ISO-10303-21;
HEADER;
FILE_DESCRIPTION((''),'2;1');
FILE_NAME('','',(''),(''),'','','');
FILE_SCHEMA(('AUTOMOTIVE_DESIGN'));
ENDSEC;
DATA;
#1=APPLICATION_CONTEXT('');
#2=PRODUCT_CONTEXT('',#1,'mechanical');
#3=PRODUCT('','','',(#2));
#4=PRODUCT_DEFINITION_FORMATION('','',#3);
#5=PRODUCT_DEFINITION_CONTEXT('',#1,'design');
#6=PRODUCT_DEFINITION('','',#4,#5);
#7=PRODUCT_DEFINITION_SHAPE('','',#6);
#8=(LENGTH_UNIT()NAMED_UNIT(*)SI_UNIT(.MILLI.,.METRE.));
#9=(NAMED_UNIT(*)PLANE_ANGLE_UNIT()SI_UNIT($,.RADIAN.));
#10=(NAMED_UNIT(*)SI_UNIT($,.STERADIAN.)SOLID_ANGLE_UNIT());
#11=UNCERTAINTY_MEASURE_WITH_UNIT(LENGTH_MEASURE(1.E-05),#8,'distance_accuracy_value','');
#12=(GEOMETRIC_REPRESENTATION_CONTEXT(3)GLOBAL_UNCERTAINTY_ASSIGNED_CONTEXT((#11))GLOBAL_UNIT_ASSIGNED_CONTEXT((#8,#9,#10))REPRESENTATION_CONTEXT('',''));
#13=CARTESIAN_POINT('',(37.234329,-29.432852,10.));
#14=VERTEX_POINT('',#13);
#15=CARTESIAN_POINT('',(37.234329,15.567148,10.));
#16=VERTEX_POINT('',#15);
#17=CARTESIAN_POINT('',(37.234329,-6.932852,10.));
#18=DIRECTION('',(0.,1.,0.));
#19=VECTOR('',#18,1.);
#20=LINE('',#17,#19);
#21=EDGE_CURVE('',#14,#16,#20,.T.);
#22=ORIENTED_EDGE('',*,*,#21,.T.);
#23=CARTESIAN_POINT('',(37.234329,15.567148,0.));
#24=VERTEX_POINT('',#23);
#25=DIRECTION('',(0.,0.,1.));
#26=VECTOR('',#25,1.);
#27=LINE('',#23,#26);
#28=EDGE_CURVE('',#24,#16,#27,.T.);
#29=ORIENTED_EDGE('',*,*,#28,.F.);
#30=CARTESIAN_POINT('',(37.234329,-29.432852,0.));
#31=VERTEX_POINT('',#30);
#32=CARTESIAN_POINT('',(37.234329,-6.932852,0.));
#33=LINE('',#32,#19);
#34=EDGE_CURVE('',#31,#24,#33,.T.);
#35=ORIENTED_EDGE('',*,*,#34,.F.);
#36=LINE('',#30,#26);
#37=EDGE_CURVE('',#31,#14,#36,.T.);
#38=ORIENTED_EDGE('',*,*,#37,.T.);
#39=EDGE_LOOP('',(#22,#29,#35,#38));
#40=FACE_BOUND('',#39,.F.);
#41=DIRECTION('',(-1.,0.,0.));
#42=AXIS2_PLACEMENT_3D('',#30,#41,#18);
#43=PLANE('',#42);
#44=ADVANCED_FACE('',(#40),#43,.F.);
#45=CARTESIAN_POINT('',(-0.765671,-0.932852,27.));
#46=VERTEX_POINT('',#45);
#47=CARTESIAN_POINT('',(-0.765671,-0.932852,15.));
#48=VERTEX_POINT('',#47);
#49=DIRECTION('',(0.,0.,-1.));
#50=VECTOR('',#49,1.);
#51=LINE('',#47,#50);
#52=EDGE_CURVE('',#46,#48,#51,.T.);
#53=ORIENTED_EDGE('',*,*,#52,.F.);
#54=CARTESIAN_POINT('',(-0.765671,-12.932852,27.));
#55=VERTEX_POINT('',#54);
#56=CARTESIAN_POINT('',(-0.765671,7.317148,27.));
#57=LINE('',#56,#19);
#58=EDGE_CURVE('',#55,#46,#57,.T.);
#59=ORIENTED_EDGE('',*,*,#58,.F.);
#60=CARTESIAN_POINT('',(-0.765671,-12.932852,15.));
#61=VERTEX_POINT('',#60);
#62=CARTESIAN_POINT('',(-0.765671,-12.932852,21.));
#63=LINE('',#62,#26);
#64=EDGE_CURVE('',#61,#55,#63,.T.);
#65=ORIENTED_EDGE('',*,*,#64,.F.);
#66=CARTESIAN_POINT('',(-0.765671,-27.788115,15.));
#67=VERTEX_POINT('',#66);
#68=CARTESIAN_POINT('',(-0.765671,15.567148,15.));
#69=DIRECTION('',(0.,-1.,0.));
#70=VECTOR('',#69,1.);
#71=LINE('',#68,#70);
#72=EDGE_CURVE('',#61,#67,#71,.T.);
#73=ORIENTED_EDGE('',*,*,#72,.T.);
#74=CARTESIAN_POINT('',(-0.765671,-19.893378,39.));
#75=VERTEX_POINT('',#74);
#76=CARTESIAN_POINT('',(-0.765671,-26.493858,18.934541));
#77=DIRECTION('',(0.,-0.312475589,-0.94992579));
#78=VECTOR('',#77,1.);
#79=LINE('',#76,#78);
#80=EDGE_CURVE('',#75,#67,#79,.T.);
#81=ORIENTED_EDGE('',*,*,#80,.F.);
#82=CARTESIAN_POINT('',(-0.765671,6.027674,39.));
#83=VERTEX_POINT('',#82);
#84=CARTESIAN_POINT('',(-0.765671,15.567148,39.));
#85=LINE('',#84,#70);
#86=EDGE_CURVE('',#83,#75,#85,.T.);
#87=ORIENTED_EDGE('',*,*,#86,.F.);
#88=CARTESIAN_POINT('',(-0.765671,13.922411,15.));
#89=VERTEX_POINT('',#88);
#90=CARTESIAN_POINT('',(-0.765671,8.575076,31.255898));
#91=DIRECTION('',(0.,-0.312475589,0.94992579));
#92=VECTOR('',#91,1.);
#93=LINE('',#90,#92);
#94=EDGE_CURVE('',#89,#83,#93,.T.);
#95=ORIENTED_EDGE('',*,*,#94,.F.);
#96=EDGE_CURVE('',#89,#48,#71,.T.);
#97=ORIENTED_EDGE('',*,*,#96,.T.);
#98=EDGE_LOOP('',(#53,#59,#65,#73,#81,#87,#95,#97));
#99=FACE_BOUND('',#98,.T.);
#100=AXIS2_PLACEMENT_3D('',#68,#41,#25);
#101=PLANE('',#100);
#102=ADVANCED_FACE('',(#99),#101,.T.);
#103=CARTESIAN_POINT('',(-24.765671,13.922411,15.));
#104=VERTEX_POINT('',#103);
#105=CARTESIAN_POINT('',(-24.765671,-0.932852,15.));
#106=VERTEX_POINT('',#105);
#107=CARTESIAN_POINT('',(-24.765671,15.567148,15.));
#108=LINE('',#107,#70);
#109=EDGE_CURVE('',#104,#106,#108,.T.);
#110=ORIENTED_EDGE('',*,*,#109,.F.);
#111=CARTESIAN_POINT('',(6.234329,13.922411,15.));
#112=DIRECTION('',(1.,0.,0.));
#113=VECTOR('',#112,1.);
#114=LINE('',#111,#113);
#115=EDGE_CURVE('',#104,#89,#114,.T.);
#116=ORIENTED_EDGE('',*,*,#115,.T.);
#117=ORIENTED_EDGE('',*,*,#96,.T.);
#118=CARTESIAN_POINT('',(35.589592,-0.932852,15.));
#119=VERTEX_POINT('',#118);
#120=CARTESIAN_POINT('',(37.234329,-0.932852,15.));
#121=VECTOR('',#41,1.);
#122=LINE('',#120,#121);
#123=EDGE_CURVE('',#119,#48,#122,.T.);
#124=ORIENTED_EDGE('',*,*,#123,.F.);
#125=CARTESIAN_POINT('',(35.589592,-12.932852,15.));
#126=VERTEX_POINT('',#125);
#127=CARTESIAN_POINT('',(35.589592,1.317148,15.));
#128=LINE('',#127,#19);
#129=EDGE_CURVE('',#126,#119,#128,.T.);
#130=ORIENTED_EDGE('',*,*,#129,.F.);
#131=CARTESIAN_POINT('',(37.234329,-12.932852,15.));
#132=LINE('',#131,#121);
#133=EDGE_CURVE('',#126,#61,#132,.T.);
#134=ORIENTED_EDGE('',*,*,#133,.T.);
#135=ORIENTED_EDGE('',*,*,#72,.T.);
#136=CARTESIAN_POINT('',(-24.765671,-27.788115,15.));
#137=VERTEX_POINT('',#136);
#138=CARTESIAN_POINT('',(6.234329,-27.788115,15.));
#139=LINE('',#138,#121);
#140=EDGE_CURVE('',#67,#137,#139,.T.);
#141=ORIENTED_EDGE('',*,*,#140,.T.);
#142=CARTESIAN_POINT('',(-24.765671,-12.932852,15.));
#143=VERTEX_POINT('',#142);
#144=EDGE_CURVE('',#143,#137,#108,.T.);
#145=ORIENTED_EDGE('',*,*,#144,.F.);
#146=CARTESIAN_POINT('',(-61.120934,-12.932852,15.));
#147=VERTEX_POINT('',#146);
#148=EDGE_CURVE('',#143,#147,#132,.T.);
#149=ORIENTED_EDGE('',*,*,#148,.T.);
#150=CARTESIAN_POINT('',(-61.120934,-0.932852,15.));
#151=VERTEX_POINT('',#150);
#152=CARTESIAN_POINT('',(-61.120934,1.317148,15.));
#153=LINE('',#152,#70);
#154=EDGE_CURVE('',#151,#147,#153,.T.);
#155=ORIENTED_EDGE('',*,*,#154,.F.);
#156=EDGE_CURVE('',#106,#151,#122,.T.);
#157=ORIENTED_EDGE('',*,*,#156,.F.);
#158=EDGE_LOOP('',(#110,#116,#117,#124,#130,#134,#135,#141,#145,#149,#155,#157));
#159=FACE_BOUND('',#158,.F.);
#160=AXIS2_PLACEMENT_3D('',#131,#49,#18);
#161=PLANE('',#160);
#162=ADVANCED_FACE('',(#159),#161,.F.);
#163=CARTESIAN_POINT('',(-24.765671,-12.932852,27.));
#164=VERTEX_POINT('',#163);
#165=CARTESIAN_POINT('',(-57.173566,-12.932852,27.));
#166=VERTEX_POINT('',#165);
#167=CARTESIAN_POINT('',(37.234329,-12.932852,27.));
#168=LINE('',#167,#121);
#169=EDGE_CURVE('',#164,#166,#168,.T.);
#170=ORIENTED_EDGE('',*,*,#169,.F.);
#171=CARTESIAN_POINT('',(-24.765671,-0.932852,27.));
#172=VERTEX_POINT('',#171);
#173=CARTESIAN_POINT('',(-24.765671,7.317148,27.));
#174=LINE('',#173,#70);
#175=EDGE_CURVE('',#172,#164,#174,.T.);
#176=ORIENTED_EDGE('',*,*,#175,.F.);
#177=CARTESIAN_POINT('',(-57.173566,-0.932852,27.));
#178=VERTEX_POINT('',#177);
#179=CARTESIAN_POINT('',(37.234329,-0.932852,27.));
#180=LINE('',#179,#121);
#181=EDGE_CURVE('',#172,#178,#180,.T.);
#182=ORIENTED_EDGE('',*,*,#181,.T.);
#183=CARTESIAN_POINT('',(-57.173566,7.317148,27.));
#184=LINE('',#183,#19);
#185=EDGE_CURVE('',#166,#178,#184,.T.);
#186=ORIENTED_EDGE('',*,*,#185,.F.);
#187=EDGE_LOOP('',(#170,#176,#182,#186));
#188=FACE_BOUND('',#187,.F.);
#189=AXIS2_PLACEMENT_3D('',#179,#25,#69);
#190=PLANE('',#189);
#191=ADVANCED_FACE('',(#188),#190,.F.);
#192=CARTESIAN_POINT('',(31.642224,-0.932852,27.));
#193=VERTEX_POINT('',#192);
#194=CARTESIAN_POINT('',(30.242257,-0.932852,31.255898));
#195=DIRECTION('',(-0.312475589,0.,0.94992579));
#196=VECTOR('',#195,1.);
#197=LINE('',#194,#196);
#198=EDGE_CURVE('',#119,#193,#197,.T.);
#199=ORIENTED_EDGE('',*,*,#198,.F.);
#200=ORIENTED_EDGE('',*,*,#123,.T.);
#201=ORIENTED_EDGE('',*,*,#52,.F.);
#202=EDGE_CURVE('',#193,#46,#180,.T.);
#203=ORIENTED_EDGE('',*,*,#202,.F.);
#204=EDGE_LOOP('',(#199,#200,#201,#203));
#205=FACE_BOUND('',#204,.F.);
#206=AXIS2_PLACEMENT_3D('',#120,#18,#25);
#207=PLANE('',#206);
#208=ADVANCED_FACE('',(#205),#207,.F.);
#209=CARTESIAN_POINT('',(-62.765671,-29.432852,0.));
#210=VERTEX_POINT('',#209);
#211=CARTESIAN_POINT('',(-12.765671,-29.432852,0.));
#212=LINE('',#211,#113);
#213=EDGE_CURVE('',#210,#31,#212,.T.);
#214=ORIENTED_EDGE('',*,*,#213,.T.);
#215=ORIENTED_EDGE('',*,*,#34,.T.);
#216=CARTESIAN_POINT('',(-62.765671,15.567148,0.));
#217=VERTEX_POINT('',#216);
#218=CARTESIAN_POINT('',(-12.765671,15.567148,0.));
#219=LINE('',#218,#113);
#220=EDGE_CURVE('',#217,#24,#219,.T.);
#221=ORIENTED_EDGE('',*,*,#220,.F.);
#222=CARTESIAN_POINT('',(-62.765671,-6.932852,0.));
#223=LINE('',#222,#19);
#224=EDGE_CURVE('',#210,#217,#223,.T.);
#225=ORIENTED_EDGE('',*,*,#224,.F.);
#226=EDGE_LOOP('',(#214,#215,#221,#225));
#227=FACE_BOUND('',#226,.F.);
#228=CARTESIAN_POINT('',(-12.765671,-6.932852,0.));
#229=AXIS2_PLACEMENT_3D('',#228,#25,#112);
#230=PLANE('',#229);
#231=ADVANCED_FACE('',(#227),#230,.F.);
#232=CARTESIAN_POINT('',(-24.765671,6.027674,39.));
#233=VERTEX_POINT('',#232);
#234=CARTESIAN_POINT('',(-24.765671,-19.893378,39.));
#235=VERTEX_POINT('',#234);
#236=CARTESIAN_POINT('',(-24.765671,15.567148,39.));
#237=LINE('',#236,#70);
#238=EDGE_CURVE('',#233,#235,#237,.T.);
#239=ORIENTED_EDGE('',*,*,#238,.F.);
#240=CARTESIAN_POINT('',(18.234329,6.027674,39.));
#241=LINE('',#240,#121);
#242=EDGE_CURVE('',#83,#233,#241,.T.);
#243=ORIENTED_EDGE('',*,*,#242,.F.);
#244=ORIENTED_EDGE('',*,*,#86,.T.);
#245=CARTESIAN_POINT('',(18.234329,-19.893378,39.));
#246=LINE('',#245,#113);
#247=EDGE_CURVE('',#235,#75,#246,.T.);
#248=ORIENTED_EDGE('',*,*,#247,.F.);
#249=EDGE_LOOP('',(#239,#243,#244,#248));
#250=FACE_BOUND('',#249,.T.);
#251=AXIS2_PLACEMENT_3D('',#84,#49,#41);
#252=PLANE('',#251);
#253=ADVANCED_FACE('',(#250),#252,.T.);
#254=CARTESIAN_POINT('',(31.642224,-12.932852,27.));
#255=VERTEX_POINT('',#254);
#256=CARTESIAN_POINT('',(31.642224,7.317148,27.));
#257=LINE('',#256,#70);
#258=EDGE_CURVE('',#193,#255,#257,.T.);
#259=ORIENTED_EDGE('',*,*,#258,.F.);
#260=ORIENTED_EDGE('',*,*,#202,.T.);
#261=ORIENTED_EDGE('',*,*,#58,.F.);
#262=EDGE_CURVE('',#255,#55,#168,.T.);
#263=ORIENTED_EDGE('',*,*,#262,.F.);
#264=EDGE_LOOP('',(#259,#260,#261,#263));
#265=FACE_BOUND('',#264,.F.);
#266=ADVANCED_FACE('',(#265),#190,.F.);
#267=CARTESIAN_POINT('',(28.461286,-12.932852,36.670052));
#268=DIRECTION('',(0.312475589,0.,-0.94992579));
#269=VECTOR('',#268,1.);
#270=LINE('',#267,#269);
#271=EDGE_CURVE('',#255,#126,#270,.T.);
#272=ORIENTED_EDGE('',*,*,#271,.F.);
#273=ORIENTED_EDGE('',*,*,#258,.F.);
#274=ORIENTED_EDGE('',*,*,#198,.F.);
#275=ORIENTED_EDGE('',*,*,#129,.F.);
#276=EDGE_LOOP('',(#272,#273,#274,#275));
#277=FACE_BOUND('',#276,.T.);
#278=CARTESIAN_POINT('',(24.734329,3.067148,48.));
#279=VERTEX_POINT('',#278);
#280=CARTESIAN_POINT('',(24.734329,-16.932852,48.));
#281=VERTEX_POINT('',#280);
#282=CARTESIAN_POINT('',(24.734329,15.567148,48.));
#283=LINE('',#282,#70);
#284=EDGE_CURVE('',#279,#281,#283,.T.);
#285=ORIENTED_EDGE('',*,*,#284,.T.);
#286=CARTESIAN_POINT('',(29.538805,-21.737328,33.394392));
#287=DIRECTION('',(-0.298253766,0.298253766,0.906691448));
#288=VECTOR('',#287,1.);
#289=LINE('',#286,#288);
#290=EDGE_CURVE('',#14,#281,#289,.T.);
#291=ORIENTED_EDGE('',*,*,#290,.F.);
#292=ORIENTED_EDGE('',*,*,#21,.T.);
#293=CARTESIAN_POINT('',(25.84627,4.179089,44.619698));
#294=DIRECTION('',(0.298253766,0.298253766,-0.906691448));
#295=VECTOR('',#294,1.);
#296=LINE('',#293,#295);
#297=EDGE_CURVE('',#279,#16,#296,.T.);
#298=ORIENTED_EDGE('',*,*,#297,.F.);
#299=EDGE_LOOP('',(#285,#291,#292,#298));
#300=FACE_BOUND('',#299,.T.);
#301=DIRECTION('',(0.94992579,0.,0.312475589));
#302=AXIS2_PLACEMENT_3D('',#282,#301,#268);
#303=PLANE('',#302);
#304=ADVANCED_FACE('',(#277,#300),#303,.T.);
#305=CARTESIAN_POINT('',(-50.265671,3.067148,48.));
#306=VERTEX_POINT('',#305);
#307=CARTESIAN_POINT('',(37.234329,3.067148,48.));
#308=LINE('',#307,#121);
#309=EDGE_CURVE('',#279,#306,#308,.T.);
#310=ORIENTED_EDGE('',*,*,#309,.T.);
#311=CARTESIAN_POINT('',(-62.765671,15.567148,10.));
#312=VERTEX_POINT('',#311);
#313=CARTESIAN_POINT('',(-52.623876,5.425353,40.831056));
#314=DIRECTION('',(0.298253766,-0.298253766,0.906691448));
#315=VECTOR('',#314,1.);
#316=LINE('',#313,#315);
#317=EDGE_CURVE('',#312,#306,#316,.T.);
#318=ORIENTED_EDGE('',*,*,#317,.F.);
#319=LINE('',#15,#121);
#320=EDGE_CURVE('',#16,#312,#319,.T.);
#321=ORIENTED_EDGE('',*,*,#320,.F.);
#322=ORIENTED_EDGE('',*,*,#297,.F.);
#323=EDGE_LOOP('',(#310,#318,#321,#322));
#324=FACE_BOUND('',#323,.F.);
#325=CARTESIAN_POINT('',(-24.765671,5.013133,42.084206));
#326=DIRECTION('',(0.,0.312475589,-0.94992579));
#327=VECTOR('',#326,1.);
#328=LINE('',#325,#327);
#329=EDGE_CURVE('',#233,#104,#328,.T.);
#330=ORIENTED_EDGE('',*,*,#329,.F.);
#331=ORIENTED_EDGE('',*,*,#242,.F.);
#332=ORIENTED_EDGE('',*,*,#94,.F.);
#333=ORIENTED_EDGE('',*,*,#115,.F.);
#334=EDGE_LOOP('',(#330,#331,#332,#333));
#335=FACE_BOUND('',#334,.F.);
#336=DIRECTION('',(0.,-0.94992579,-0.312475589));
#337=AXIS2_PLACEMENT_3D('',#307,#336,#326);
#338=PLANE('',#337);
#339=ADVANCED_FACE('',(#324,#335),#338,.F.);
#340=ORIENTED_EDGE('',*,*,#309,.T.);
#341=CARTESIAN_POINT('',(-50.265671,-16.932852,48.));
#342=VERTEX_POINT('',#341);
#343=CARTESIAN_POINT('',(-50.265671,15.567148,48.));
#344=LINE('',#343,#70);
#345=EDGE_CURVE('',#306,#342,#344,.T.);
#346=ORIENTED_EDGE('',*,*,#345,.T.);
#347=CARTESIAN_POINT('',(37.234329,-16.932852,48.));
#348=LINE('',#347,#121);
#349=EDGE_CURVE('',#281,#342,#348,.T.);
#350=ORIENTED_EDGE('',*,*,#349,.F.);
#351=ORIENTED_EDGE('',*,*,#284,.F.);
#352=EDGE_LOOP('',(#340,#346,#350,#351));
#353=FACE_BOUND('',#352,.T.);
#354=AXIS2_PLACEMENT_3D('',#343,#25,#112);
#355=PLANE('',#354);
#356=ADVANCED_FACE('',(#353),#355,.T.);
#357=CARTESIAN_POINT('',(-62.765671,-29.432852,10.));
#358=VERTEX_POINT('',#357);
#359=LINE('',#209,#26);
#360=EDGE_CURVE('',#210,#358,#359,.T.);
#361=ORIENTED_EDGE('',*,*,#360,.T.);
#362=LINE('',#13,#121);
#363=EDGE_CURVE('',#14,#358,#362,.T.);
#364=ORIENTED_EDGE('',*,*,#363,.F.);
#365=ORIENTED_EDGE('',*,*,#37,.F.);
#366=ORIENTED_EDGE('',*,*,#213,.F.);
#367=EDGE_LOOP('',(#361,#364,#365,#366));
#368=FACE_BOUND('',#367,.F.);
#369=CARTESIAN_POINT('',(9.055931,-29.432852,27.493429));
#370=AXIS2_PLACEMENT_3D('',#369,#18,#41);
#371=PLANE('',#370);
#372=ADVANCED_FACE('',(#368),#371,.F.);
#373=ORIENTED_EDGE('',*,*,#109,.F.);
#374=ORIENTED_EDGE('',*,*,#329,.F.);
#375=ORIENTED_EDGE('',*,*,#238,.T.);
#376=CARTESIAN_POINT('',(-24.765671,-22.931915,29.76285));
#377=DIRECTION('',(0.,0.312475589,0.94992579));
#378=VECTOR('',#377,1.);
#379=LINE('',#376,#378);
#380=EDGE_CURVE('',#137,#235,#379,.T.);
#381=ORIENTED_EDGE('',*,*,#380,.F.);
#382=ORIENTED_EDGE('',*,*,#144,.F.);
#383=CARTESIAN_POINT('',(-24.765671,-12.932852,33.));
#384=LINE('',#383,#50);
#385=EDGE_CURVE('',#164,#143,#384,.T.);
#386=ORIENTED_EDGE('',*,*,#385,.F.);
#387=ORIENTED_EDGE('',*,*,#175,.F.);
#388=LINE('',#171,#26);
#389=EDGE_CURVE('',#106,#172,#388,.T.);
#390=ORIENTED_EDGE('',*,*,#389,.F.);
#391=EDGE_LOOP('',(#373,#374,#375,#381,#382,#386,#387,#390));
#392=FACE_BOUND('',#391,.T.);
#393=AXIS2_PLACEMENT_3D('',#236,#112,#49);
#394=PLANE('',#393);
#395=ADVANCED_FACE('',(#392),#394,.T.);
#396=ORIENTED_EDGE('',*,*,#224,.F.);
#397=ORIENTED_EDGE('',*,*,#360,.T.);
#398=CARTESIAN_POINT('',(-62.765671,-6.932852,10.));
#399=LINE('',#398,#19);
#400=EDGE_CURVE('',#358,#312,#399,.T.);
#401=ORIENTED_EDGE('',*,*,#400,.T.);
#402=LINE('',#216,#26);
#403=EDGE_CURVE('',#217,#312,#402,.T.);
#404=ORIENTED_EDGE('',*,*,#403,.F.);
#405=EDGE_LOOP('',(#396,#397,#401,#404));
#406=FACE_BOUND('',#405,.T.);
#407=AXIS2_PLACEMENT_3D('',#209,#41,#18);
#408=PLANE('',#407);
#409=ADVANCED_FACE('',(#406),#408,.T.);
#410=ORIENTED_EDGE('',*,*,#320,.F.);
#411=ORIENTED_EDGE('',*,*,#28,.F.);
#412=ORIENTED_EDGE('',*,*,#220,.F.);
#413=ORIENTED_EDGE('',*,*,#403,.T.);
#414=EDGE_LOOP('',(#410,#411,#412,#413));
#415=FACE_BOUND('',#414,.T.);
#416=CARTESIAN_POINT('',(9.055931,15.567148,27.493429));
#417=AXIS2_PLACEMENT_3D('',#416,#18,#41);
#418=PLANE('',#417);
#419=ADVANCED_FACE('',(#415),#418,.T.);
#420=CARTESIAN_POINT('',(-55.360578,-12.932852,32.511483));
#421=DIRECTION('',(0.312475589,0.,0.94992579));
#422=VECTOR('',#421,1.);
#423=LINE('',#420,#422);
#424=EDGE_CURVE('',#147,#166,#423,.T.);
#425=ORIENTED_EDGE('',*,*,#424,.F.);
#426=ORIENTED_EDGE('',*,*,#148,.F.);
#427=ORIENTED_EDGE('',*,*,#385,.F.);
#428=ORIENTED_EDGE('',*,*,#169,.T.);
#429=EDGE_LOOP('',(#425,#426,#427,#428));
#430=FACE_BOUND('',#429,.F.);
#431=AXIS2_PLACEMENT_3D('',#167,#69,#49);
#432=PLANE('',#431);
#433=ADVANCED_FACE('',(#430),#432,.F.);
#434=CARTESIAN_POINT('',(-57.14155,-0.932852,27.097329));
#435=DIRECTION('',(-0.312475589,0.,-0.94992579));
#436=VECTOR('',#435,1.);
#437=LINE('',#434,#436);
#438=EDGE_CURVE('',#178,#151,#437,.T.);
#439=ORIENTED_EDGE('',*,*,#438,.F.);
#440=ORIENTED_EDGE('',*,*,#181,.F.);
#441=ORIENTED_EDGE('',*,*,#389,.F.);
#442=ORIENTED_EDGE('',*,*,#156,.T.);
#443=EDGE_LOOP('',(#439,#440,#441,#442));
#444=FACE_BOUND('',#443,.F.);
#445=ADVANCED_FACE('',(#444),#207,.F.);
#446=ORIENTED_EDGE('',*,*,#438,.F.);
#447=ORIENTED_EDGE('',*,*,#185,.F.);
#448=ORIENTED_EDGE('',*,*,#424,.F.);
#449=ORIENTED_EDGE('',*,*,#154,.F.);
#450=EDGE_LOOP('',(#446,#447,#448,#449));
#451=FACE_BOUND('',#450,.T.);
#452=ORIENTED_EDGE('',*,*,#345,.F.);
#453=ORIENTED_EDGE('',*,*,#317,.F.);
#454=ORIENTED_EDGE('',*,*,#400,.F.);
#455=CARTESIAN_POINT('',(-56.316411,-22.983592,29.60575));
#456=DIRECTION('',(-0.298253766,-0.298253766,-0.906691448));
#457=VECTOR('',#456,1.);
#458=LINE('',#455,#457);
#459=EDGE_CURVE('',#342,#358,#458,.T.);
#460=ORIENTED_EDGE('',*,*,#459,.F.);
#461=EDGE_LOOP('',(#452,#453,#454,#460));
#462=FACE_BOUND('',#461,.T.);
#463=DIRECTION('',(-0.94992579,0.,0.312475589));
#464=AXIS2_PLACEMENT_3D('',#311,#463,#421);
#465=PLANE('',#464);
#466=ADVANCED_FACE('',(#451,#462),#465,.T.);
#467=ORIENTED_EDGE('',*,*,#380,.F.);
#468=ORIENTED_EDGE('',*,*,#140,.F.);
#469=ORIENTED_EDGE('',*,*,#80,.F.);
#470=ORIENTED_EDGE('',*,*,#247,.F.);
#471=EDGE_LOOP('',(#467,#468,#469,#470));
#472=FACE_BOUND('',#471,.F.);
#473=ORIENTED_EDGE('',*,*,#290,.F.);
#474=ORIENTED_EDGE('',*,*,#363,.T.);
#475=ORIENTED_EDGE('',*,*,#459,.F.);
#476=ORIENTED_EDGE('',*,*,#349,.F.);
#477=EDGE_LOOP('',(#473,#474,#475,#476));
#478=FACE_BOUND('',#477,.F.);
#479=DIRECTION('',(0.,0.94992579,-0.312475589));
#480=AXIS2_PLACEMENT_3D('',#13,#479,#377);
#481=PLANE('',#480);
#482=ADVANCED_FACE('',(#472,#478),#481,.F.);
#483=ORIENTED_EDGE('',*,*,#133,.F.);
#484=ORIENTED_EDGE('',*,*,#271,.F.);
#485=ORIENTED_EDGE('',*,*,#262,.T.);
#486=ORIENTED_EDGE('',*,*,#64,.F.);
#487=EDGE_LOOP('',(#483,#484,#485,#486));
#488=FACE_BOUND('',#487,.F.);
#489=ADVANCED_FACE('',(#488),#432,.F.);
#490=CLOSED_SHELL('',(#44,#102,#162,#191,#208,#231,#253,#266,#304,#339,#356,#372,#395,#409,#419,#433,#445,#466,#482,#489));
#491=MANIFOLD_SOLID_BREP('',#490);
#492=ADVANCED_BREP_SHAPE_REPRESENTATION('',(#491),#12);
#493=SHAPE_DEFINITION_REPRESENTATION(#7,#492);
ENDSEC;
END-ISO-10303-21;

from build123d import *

# Parameters (mm, degrees)
F0_W     = 100
F0_H     = 45
F1_DEPTH = 10
F3_DEPTH = 45
F5_DEPTH = 122


with BuildPart() as f1:
    # F0 (on Top) → F1 (new body)
    with BuildSketch(Plane.XY):
        with Locations((-12.765671, -6.932852)):
            Rectangle(F0_W, F0_H)
    extrude(amount=F1_DEPTH)

    # F2 (on face) → F3 (join)
    with BuildSketch(Plane(origin=(0, 15.567148, 0), x_dir=(-1, 0, 0), z_dir=(0, 1, 0))):
        Polygon((12.765671, 39), (12.765671, 48), (-24.734329, 48), (-37.234329, 10), (12.765671, 10), (12.765671, 15), (0.765671, 15), (0.765671, 39), align=None)
        Polygon((50.265671, 48), (12.765671, 48), (12.765671, 39), (24.765671, 39), (24.765671, 15), (12.765671, 15), (12.765671, 10), (62.765671, 10), align=None)
    extrude(amount=-F3_DEPTH)

    # F4 (on face) → F5 (cut)
    with BuildSketch(Plane.YZ.offset(37.234329)):
        Polygon((-29.432852, 10), (-16.932852, 48), (-29.432852, 48), align=None)
        Polygon((15.567148, 48), (3.067148, 48), (15.567148, 10), align=None)
        Polygon((-0.932852, 27), (-6.932852, 27), (-12.932852, 27), (-12.932852, 15), (-0.932852, 15), align=None)
    extrude(amount=-F5_DEPTH, mode=Mode.SUBTRACT)


solid = f1.part
